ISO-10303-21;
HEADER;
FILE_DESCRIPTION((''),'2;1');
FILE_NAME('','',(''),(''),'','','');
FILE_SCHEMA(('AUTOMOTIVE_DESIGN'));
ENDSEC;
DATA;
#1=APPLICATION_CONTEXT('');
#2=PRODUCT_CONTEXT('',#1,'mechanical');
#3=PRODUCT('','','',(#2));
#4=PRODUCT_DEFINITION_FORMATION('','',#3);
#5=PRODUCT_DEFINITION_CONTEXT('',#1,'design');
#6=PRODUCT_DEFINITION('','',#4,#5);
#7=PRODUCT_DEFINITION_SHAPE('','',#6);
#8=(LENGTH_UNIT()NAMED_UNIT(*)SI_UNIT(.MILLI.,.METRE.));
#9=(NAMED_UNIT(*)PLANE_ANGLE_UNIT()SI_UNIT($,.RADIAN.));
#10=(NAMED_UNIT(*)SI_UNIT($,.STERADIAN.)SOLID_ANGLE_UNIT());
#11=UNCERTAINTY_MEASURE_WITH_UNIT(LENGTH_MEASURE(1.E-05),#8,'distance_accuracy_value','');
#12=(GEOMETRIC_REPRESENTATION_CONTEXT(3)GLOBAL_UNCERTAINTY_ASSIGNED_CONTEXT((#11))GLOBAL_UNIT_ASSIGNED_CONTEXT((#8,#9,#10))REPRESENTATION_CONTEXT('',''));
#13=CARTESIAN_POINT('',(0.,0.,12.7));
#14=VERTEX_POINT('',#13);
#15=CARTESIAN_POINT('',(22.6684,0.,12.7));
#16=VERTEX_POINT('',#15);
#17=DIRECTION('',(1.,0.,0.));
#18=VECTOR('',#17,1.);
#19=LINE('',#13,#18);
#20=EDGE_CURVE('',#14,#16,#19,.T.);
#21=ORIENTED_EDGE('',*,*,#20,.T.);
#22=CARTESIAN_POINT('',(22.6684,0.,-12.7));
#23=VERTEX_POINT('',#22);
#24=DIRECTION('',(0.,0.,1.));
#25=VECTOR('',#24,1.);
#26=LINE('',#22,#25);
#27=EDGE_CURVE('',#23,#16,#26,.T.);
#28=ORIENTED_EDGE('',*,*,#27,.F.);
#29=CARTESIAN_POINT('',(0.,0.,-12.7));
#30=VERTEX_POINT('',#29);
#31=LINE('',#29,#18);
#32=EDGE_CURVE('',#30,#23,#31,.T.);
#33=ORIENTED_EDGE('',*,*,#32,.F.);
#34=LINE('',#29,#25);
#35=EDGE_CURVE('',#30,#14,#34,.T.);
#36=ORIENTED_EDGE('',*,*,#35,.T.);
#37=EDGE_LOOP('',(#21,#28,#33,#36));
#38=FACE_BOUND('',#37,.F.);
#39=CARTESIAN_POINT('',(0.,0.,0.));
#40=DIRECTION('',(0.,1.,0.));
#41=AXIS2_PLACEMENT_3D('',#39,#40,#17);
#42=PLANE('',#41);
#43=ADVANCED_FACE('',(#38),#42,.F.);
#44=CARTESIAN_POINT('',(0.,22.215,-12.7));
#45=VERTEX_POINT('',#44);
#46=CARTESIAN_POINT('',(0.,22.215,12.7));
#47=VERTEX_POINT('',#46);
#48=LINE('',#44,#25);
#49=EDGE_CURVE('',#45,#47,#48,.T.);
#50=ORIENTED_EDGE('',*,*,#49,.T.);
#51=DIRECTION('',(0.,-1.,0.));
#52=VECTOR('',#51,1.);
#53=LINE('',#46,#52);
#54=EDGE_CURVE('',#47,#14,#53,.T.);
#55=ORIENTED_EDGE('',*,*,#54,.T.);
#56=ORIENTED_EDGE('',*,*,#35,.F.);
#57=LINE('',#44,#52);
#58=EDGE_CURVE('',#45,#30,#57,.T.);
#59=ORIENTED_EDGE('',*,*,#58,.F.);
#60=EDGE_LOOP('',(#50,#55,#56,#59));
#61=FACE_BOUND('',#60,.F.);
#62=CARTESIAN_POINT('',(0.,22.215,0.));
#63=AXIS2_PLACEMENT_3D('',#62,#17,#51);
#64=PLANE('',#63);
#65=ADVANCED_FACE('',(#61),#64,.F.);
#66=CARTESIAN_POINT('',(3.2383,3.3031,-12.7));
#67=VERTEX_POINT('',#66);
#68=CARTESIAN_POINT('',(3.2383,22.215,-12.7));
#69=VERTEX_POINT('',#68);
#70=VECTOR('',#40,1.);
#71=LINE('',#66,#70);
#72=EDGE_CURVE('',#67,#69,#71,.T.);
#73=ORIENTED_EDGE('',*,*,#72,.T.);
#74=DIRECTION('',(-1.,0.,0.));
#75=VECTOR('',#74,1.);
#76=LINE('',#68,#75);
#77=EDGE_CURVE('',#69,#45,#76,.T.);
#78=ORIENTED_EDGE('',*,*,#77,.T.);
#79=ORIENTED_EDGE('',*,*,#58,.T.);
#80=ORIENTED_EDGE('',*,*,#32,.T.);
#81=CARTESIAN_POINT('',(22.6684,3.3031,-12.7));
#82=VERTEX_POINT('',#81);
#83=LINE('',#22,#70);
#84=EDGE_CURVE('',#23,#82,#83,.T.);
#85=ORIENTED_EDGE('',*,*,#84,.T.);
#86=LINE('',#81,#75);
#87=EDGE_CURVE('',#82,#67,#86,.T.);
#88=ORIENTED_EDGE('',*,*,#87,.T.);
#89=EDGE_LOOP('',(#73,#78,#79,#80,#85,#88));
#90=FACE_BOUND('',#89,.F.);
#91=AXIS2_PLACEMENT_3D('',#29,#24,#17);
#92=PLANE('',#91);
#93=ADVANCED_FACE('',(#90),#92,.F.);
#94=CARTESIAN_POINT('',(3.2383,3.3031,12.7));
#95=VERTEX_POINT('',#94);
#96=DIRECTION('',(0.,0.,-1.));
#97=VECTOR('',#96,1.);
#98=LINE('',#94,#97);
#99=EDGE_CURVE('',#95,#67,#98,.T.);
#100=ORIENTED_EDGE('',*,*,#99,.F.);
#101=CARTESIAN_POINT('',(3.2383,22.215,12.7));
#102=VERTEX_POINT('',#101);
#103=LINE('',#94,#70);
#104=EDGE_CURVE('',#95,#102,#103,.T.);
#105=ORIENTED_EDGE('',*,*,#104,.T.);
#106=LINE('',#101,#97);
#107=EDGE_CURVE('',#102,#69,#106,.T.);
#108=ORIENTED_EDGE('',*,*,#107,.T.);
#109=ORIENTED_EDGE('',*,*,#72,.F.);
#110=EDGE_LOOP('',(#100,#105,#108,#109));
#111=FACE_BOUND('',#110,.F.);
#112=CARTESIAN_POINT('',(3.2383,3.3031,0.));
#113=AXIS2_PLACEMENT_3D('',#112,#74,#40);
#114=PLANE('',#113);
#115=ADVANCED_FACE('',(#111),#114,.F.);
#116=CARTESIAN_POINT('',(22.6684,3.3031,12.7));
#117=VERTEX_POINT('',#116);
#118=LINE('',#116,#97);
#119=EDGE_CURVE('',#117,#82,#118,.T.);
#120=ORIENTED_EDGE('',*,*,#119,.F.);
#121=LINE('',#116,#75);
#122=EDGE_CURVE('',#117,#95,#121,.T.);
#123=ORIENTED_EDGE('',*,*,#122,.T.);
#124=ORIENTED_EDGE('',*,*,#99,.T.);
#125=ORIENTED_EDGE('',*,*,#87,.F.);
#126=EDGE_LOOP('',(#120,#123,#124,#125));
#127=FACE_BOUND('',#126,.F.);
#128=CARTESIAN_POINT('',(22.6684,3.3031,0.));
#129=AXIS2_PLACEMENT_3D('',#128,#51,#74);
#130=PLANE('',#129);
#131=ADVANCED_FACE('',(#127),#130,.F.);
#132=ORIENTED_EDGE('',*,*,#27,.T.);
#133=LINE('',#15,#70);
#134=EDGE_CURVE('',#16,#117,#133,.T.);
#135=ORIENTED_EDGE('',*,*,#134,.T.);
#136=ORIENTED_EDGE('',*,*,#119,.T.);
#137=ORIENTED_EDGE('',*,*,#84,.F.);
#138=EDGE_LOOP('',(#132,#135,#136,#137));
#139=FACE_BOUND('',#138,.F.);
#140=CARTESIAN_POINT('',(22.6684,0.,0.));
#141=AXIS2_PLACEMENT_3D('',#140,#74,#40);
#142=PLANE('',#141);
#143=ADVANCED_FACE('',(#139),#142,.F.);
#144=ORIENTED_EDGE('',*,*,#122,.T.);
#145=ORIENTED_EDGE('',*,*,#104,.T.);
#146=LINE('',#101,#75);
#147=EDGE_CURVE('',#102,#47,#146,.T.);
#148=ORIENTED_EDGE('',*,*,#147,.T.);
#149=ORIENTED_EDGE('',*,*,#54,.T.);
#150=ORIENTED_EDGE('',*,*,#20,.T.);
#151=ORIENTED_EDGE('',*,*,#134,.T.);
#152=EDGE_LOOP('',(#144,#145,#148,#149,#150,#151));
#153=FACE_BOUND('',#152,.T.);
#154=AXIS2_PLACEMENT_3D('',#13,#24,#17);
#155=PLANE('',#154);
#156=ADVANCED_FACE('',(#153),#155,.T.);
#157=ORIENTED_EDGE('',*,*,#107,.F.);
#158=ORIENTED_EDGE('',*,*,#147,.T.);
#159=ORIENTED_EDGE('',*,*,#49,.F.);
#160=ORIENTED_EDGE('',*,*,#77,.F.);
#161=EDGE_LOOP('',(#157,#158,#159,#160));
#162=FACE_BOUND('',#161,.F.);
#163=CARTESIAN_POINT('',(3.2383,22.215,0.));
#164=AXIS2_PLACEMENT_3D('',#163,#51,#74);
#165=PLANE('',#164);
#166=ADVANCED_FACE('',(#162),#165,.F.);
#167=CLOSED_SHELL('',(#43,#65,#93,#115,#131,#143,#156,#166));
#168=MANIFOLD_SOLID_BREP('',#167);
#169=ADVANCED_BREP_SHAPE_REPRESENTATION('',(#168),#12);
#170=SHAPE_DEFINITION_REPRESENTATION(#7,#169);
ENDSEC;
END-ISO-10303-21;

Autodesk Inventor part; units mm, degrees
sketch "Sketch1" plane through (0, 0, 0) normal (0, 0, 1) x (1, 0, 0)
  line L0 (0, 22.215) -> (0, 0)
  line L1 (0, 0) -> (22.6684, 0)
  line L2 (22.6684, 0) -> (22.6684, 3.3031)
  line L3 (22.6684, 3.3031) -> (3.2383, 3.3031)
  line L4 (3.2383, 3.3031) -> (3.2383, 22.215)
  line L5 (3.2383, 22.215) -> (0, 22.215)
  line L6 (0, 28.8795) -> (0, -2.2215) projected
  line L7 (-2.2668, 0) -> (29.4689, 0) projected
extrude "Extrusion1" add sketch "Sketch1" along normal mid plane 25.4
properties part number "solid_base_feature"
